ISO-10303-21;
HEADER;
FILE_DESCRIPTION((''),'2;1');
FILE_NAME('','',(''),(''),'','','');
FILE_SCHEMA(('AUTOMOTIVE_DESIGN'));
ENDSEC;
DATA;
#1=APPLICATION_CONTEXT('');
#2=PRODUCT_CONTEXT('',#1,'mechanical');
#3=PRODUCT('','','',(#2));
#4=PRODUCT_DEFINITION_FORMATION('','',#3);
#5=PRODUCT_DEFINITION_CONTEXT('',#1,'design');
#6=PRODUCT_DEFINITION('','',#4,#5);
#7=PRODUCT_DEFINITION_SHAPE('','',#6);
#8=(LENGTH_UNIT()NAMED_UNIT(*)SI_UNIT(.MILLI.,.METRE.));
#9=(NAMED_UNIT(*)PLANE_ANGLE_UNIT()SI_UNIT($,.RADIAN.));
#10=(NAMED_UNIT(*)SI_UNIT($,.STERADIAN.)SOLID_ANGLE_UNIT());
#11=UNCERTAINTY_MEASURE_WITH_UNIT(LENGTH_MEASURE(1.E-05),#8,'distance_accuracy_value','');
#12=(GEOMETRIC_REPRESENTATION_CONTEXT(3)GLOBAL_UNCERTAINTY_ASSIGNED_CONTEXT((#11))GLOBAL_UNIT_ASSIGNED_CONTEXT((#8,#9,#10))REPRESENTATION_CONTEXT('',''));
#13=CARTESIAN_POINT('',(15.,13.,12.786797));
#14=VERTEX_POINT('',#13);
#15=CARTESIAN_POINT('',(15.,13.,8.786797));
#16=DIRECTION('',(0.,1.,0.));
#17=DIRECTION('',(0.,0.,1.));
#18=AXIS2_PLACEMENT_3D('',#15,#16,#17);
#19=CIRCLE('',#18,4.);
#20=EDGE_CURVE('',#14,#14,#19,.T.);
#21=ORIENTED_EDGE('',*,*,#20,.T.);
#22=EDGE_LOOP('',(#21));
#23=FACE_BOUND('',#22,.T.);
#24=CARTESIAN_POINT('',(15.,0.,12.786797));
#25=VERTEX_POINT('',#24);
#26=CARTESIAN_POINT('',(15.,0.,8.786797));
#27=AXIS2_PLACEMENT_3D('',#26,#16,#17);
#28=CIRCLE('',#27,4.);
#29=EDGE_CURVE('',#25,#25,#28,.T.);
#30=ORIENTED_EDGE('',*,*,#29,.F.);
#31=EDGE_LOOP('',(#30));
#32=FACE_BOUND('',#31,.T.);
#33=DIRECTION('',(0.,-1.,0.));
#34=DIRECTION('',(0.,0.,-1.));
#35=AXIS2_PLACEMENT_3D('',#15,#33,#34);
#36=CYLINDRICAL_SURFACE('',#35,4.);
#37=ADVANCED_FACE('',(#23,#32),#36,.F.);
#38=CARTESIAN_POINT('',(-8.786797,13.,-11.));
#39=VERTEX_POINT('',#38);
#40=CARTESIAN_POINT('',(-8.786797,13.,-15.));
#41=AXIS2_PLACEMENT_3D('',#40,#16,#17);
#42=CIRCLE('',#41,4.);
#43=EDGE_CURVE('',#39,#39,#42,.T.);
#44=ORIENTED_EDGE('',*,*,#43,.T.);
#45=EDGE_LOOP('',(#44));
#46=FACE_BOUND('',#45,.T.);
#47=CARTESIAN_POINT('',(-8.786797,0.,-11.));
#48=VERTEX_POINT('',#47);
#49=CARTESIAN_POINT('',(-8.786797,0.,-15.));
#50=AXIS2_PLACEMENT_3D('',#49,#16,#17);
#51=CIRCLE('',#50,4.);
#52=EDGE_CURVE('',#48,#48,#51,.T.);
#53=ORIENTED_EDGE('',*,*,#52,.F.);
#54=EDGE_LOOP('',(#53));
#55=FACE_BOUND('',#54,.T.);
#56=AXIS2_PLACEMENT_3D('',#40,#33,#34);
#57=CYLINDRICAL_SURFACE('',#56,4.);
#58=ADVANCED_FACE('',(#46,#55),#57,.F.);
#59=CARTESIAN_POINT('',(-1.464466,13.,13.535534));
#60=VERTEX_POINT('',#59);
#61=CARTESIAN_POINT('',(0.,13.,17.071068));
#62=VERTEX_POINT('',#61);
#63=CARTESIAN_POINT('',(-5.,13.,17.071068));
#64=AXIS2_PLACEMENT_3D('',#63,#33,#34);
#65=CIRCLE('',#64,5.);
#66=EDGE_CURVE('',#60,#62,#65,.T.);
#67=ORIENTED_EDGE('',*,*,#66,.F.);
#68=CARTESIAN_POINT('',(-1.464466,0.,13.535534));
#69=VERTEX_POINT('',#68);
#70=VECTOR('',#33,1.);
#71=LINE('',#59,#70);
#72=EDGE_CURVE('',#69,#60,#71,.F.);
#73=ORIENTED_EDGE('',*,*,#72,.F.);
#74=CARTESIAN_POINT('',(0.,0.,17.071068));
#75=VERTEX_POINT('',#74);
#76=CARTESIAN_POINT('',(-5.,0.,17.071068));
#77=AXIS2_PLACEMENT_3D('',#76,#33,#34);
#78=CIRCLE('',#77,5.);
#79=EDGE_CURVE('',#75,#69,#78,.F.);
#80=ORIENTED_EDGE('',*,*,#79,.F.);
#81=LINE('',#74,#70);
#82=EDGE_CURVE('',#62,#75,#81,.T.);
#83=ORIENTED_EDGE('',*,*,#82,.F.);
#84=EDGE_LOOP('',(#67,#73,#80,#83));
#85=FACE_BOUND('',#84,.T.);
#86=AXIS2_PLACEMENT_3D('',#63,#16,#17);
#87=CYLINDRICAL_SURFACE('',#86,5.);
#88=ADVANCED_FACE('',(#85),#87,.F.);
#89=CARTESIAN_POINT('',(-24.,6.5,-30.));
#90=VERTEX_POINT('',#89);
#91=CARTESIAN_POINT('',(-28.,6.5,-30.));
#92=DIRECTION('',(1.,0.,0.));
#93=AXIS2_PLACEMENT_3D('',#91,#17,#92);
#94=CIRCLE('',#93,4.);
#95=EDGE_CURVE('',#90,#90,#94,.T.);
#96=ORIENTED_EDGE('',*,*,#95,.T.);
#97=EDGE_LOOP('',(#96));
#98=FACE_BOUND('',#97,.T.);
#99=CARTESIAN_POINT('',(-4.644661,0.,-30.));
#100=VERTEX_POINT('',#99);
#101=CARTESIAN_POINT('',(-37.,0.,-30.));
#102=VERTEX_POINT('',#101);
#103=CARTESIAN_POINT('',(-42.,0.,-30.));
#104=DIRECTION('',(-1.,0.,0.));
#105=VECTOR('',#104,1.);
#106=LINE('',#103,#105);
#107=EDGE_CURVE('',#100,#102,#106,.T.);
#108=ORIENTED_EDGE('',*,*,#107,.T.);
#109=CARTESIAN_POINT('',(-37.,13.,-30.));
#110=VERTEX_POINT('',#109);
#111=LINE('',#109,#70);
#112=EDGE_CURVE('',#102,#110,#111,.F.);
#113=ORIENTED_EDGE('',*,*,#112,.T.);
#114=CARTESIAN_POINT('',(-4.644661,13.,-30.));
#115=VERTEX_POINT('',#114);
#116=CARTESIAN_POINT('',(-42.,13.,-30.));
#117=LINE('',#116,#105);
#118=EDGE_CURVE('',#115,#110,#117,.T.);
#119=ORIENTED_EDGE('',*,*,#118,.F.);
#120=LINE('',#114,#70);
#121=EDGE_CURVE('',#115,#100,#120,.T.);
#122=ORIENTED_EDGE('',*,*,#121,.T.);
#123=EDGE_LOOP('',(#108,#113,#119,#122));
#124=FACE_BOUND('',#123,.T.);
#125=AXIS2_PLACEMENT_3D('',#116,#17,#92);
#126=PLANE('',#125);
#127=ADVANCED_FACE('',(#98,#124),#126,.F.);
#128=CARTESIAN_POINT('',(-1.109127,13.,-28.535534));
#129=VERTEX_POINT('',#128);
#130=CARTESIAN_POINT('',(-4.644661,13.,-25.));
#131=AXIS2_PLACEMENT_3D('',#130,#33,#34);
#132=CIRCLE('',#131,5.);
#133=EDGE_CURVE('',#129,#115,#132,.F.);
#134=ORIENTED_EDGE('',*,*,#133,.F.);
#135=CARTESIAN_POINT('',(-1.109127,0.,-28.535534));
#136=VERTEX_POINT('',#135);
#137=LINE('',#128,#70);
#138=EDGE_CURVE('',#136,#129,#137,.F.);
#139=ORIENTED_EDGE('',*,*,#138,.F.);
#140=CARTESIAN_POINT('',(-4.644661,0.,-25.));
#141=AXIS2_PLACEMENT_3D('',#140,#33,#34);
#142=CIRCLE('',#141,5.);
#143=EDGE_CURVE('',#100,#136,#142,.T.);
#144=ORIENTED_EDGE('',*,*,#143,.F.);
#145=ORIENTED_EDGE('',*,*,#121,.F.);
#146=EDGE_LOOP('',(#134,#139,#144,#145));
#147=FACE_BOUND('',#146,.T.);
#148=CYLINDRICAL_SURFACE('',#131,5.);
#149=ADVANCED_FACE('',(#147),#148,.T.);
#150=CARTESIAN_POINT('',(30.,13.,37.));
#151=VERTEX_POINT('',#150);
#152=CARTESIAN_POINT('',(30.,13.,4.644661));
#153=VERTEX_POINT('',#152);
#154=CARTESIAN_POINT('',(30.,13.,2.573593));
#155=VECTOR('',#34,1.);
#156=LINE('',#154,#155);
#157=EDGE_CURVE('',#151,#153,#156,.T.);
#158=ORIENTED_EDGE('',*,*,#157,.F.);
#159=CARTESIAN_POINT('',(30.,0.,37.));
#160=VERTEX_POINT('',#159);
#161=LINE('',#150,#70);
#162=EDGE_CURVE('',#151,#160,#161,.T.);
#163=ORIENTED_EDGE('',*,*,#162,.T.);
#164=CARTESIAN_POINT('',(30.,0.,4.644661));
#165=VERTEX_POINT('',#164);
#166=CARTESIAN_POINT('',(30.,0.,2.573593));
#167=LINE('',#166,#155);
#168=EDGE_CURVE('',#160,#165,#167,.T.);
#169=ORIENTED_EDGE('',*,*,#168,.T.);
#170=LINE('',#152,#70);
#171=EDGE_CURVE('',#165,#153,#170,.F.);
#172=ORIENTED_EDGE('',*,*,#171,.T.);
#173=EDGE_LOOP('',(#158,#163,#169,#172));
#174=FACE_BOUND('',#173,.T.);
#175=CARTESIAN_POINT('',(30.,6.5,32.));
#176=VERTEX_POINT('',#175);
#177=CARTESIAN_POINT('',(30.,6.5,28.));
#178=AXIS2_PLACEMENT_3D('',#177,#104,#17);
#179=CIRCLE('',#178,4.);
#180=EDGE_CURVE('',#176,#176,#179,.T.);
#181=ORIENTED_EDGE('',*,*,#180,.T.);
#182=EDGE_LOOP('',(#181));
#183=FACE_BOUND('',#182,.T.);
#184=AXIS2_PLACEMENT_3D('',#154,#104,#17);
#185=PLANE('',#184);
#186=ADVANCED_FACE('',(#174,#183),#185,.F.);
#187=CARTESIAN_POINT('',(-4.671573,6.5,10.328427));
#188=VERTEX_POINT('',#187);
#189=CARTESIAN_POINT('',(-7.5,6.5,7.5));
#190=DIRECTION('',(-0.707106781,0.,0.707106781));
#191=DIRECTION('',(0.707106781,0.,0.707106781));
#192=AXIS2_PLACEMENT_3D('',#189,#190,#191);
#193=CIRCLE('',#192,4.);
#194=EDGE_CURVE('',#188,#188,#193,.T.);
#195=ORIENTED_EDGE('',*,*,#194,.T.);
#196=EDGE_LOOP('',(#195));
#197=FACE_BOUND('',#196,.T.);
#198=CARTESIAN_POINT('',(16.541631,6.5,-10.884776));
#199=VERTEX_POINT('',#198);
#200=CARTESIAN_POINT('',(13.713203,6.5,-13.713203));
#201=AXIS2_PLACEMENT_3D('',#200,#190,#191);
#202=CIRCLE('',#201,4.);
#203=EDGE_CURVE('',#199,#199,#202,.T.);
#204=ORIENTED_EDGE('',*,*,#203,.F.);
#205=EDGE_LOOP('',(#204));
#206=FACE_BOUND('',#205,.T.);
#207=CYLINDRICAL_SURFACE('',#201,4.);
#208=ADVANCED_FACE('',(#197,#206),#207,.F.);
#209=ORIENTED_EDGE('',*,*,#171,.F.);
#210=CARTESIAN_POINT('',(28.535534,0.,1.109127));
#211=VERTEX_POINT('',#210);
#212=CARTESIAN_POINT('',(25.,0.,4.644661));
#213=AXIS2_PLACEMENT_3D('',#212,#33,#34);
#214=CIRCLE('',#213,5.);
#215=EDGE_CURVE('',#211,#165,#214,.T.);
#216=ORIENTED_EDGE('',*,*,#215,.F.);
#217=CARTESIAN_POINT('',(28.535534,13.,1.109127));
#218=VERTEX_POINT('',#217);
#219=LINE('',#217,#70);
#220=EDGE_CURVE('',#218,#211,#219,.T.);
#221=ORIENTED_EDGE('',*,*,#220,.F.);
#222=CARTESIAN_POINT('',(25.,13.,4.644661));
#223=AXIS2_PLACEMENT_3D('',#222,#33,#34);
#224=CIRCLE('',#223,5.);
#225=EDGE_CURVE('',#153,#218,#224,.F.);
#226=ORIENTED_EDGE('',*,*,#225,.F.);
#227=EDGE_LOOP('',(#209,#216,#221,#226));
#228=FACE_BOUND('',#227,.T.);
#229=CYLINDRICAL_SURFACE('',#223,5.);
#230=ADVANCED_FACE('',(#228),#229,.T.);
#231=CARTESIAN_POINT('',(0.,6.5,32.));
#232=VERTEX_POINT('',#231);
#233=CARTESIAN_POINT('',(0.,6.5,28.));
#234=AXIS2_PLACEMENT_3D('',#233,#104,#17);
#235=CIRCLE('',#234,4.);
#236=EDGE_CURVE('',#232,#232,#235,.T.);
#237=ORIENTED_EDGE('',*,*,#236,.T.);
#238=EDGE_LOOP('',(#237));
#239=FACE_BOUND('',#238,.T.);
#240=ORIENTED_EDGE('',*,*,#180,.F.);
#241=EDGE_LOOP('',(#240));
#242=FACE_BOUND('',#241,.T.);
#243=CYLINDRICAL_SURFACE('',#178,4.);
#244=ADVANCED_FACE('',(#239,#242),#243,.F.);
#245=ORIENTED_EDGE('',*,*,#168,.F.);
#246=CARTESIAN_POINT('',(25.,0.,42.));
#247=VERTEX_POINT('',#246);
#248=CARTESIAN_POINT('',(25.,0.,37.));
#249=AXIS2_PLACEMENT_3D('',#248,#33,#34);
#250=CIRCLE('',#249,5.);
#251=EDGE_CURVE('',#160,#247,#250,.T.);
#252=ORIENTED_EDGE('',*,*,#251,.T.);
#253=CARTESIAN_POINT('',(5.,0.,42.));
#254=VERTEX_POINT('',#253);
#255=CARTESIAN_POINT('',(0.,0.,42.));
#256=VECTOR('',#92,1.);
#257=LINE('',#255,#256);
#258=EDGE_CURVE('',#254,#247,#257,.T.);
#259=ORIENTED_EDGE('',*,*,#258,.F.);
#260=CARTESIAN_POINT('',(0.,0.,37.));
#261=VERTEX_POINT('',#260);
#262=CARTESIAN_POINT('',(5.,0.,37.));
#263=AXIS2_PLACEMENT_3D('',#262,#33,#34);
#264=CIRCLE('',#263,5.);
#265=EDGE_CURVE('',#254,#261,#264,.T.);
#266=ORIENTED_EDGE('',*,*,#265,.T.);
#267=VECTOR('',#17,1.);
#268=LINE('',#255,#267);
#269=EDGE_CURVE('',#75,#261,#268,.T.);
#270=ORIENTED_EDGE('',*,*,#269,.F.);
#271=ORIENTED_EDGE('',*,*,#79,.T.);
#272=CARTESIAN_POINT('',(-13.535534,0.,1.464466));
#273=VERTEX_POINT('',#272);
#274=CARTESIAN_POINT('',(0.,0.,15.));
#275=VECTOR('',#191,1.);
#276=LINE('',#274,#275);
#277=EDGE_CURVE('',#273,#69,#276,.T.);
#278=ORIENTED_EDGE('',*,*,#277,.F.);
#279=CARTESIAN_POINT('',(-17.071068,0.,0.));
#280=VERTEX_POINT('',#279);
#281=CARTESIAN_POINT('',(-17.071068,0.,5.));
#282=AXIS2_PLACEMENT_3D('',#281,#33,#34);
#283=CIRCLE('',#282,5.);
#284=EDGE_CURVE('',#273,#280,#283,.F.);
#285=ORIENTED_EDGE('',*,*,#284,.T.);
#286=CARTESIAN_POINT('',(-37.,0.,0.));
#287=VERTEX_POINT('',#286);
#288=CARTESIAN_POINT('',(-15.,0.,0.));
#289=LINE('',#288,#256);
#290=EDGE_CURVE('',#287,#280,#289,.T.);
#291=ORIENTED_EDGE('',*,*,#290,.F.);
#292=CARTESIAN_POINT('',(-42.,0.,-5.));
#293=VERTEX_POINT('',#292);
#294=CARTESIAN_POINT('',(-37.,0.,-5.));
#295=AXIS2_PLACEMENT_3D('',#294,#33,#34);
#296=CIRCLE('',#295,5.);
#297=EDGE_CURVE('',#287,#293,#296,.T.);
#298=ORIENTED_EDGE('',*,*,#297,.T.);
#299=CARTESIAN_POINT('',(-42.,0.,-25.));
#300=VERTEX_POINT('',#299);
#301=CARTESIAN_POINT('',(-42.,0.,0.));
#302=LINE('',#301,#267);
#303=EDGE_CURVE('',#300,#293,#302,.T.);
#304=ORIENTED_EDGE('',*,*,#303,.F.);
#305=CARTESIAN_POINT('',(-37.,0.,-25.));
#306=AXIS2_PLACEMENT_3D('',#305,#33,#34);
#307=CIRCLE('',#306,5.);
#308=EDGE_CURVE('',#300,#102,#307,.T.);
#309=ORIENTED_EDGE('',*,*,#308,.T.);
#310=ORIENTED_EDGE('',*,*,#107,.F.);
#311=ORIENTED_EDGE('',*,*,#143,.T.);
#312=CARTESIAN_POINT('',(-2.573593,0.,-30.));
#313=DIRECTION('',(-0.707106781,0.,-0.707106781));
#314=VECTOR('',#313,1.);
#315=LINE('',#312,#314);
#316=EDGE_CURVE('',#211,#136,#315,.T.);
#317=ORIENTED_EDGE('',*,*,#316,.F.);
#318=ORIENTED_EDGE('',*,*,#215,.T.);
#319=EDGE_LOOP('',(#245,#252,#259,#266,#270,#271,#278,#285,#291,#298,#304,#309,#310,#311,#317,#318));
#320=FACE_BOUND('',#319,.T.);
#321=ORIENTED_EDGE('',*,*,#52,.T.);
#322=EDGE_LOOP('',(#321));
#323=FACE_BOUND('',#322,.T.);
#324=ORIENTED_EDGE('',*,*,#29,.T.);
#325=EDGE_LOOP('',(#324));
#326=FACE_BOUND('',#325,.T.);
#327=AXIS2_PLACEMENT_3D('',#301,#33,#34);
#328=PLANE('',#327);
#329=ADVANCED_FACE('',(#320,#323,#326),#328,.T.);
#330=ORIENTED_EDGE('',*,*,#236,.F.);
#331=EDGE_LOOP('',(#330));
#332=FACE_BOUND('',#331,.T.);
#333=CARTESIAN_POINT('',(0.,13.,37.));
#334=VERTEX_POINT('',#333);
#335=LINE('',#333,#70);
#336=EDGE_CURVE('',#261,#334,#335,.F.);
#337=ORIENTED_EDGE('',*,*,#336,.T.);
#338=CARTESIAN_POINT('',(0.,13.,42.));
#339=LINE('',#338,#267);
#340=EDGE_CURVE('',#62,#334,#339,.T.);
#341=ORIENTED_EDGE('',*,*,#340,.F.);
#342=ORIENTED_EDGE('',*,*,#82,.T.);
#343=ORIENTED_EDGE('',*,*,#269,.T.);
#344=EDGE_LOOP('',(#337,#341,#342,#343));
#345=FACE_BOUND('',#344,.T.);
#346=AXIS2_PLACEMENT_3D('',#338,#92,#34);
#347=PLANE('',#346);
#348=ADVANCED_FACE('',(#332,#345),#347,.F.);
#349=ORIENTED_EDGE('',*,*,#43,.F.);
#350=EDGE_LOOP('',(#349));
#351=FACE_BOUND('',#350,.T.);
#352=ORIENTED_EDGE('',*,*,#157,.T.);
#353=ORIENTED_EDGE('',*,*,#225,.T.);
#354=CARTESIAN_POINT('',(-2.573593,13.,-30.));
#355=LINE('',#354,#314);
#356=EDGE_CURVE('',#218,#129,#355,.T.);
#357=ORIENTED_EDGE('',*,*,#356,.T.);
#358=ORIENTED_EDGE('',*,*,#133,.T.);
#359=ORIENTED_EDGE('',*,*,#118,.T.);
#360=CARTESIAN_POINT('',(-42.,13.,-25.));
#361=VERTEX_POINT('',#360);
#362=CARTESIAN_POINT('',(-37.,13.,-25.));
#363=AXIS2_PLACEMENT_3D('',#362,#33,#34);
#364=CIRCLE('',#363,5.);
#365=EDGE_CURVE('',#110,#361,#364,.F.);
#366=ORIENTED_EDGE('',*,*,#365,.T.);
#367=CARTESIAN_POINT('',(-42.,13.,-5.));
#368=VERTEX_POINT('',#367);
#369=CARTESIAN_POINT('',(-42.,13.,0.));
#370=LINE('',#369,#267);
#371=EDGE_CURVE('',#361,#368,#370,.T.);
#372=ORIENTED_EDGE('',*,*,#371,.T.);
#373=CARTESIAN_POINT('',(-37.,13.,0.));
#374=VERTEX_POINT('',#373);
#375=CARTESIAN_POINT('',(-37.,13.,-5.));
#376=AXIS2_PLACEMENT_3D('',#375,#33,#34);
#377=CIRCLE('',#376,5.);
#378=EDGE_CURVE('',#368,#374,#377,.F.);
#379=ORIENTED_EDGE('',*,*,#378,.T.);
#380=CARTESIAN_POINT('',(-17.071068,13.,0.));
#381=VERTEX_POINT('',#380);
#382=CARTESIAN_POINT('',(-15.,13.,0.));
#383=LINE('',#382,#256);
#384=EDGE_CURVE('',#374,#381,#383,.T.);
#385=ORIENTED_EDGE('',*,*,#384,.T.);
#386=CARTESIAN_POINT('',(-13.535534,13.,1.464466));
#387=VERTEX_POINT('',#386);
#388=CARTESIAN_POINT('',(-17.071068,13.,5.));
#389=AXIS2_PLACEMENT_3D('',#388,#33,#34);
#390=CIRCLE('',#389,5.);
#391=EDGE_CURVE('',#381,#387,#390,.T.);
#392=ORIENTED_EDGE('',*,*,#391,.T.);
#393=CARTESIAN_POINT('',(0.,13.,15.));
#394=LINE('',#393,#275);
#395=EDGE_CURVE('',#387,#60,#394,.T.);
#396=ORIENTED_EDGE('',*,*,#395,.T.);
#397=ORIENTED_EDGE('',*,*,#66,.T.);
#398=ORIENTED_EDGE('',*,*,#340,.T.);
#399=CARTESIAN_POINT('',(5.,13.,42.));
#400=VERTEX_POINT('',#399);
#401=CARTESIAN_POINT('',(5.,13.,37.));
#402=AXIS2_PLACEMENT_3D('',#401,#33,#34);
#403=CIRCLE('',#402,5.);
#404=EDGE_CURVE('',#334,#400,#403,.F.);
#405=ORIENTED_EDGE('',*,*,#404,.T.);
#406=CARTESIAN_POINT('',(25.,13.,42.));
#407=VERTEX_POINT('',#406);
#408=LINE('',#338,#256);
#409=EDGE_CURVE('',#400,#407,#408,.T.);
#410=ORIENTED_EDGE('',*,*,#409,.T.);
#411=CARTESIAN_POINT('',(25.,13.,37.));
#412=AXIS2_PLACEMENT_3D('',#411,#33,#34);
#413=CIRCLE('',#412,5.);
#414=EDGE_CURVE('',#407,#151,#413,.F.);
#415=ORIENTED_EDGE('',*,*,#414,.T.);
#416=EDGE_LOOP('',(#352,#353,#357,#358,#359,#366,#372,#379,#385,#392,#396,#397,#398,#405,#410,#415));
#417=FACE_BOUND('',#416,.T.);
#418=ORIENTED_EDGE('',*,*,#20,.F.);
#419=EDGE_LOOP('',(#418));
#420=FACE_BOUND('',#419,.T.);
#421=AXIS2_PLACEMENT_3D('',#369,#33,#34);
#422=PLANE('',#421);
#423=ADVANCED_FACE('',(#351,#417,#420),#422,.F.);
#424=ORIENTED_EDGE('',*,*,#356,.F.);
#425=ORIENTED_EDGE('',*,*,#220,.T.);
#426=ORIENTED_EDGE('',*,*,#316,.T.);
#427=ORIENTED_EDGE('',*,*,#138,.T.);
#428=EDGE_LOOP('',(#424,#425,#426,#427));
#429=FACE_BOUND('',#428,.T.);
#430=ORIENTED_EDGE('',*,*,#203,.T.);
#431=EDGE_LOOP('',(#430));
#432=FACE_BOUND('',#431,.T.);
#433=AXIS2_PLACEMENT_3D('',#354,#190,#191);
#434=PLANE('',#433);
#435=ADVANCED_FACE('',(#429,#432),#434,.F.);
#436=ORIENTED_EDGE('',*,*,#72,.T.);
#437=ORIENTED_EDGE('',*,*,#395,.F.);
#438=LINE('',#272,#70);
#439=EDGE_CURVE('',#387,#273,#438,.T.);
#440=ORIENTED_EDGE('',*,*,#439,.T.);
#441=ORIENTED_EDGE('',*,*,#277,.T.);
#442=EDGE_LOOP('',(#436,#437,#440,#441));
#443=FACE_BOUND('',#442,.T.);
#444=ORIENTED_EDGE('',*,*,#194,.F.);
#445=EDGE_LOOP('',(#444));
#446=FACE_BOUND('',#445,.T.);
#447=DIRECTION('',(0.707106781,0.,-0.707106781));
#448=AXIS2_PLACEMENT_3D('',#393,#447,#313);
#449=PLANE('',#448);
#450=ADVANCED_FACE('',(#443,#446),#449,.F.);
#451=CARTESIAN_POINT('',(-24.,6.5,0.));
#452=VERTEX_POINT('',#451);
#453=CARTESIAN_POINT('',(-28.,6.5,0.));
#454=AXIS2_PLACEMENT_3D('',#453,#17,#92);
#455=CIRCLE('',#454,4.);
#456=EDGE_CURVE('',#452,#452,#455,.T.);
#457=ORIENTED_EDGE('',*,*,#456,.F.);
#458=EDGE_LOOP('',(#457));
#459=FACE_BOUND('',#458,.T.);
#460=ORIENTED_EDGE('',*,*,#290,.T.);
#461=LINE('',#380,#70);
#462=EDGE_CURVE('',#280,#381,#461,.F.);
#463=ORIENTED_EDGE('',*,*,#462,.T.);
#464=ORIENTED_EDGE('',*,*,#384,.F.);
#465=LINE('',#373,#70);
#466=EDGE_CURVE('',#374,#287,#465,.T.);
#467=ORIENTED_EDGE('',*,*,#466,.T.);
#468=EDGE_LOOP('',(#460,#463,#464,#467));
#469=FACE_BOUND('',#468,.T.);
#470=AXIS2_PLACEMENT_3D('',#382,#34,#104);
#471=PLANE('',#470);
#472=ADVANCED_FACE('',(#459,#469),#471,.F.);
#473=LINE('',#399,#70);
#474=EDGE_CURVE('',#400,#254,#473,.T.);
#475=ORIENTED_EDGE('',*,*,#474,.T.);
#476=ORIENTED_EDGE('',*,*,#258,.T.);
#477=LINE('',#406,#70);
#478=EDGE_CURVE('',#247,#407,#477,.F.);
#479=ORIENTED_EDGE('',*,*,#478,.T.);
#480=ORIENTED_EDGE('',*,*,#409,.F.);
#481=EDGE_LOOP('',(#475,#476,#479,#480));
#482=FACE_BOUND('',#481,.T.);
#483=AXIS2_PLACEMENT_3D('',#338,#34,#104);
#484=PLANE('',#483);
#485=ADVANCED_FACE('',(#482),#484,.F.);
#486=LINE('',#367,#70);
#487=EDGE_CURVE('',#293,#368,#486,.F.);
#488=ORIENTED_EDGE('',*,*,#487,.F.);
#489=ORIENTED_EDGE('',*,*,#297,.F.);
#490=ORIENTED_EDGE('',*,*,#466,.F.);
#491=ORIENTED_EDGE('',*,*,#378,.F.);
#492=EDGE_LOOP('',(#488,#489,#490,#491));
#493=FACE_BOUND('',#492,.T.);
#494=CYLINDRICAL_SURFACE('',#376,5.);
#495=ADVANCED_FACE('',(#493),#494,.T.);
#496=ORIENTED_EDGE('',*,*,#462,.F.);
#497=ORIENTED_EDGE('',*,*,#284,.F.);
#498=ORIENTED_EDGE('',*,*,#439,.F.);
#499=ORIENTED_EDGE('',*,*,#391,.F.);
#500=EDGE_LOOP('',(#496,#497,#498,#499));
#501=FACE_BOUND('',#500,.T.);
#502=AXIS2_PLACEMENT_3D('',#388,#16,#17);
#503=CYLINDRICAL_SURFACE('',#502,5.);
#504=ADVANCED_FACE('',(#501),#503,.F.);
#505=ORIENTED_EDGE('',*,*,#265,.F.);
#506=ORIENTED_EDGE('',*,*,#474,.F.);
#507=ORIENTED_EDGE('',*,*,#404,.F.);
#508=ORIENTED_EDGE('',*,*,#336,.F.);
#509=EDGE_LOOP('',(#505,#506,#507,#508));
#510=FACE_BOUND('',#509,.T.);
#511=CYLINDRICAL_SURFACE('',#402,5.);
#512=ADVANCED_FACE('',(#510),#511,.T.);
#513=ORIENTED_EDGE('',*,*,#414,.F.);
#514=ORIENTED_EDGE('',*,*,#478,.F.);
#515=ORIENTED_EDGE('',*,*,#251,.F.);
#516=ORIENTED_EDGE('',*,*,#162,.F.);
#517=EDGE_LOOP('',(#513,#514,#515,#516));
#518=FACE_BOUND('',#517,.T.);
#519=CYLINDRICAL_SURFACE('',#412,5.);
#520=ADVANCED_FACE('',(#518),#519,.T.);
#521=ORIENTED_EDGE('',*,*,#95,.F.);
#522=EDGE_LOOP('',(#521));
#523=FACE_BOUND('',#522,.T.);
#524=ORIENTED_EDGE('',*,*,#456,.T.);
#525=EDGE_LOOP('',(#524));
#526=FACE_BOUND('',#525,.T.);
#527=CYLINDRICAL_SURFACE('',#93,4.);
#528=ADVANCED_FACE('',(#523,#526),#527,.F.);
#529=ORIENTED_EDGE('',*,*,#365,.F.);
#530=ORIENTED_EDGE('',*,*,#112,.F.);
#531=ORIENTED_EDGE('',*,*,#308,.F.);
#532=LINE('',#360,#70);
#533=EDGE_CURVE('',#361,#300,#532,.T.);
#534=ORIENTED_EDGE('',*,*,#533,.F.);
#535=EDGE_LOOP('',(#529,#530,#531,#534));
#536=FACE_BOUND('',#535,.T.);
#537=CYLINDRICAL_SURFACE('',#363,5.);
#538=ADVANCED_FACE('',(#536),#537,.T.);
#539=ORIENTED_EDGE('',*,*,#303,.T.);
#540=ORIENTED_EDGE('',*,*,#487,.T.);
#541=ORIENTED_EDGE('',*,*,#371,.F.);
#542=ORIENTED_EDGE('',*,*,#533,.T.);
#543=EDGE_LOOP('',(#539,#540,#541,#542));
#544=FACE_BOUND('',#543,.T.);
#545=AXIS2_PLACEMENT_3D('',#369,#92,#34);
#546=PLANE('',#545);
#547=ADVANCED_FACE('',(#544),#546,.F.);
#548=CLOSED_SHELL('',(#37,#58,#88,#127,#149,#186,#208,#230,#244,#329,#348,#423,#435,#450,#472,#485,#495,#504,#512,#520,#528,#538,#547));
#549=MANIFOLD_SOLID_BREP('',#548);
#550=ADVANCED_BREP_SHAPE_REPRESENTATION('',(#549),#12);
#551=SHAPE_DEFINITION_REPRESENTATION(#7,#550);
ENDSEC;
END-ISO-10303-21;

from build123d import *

# Parameters (mm, degrees)
SKETCH1_R      = 4
EXTRUDE1_DEPTH = 13
FILLET5_R      = 5
SKETCH5_R      = 4
EXTRUDE5_DEPTH = 30
SKETCH6_R      = 4
EXTRUDE6_DEPTH = 30
SKETCH8_R      = 4
EXTRUDE7_DEPTH = 30


with BuildPart() as part:
    # Sketch1 → Extrude1 (new body)
    with BuildSketch(Plane(origin=(0, 0, 0), x_dir=(1, 0, 0), z_dir=(0, 1, 0))):
        Polygon((0, -15), (-15, 0), (-42, 0), (-42, 30), (-2.573593129, 30), (30, -2.573593129), (30, -42), (0, -42), align=None)
        with Locations((-8.786796564, 15)):
            Circle(SKETCH1_R, mode=Mode.SUBTRACT)
        with Locations((15, -8.786796564)):
            Circle(SKETCH1_R, mode=Mode.SUBTRACT)
    extrude(amount=EXTRUDE1_DEPTH)

    # Fillet5
    fillet5_edges = [part.edges().sort_by_distance(p)[0] for p in [
        (-42, 6.5, 0),
        (-42, 6.5, -30),
        (-2.573593129, 6.5, -30),
        (30, 6.5, 2.573593129),
        (30, 6.5, 42),
        (0, 6.5, 42),
        (0, 6.5, 15),
        (-15, 6.5, 0),
    ]]
    fillet(fillet5_edges, radius=FILLET5_R)

    # Sketch5 → Extrude5 (cut)
    with BuildSketch(Plane(origin=(-7.5, 0, 7.5), x_dir=(0.707106781, 0, 0.707106781), z_dir=(-0.707106781, 0, 0.707106781))):
        with Locations((0, 6.5)):
            Circle(SKETCH5_R)
    extrude(amount=-EXTRUDE5_DEPTH, mode=Mode.SUBTRACT)

    # Sketch6 → Extrude6 (cut)
    with BuildSketch(Plane.XY):
        with Locations((-28, 6.5)):
            Circle(SKETCH6_R)
    extrude(amount=-EXTRUDE6_DEPTH, mode=Mode.SUBTRACT)

    # Sketch8 → Extrude7 (cut)
    with BuildSketch(Plane.ZY):
        with Locations((28, 6.5)):
            Circle(SKETCH8_R)
    extrude(amount=-EXTRUDE7_DEPTH, mode=Mode.SUBTRACT)


solid = part.part
